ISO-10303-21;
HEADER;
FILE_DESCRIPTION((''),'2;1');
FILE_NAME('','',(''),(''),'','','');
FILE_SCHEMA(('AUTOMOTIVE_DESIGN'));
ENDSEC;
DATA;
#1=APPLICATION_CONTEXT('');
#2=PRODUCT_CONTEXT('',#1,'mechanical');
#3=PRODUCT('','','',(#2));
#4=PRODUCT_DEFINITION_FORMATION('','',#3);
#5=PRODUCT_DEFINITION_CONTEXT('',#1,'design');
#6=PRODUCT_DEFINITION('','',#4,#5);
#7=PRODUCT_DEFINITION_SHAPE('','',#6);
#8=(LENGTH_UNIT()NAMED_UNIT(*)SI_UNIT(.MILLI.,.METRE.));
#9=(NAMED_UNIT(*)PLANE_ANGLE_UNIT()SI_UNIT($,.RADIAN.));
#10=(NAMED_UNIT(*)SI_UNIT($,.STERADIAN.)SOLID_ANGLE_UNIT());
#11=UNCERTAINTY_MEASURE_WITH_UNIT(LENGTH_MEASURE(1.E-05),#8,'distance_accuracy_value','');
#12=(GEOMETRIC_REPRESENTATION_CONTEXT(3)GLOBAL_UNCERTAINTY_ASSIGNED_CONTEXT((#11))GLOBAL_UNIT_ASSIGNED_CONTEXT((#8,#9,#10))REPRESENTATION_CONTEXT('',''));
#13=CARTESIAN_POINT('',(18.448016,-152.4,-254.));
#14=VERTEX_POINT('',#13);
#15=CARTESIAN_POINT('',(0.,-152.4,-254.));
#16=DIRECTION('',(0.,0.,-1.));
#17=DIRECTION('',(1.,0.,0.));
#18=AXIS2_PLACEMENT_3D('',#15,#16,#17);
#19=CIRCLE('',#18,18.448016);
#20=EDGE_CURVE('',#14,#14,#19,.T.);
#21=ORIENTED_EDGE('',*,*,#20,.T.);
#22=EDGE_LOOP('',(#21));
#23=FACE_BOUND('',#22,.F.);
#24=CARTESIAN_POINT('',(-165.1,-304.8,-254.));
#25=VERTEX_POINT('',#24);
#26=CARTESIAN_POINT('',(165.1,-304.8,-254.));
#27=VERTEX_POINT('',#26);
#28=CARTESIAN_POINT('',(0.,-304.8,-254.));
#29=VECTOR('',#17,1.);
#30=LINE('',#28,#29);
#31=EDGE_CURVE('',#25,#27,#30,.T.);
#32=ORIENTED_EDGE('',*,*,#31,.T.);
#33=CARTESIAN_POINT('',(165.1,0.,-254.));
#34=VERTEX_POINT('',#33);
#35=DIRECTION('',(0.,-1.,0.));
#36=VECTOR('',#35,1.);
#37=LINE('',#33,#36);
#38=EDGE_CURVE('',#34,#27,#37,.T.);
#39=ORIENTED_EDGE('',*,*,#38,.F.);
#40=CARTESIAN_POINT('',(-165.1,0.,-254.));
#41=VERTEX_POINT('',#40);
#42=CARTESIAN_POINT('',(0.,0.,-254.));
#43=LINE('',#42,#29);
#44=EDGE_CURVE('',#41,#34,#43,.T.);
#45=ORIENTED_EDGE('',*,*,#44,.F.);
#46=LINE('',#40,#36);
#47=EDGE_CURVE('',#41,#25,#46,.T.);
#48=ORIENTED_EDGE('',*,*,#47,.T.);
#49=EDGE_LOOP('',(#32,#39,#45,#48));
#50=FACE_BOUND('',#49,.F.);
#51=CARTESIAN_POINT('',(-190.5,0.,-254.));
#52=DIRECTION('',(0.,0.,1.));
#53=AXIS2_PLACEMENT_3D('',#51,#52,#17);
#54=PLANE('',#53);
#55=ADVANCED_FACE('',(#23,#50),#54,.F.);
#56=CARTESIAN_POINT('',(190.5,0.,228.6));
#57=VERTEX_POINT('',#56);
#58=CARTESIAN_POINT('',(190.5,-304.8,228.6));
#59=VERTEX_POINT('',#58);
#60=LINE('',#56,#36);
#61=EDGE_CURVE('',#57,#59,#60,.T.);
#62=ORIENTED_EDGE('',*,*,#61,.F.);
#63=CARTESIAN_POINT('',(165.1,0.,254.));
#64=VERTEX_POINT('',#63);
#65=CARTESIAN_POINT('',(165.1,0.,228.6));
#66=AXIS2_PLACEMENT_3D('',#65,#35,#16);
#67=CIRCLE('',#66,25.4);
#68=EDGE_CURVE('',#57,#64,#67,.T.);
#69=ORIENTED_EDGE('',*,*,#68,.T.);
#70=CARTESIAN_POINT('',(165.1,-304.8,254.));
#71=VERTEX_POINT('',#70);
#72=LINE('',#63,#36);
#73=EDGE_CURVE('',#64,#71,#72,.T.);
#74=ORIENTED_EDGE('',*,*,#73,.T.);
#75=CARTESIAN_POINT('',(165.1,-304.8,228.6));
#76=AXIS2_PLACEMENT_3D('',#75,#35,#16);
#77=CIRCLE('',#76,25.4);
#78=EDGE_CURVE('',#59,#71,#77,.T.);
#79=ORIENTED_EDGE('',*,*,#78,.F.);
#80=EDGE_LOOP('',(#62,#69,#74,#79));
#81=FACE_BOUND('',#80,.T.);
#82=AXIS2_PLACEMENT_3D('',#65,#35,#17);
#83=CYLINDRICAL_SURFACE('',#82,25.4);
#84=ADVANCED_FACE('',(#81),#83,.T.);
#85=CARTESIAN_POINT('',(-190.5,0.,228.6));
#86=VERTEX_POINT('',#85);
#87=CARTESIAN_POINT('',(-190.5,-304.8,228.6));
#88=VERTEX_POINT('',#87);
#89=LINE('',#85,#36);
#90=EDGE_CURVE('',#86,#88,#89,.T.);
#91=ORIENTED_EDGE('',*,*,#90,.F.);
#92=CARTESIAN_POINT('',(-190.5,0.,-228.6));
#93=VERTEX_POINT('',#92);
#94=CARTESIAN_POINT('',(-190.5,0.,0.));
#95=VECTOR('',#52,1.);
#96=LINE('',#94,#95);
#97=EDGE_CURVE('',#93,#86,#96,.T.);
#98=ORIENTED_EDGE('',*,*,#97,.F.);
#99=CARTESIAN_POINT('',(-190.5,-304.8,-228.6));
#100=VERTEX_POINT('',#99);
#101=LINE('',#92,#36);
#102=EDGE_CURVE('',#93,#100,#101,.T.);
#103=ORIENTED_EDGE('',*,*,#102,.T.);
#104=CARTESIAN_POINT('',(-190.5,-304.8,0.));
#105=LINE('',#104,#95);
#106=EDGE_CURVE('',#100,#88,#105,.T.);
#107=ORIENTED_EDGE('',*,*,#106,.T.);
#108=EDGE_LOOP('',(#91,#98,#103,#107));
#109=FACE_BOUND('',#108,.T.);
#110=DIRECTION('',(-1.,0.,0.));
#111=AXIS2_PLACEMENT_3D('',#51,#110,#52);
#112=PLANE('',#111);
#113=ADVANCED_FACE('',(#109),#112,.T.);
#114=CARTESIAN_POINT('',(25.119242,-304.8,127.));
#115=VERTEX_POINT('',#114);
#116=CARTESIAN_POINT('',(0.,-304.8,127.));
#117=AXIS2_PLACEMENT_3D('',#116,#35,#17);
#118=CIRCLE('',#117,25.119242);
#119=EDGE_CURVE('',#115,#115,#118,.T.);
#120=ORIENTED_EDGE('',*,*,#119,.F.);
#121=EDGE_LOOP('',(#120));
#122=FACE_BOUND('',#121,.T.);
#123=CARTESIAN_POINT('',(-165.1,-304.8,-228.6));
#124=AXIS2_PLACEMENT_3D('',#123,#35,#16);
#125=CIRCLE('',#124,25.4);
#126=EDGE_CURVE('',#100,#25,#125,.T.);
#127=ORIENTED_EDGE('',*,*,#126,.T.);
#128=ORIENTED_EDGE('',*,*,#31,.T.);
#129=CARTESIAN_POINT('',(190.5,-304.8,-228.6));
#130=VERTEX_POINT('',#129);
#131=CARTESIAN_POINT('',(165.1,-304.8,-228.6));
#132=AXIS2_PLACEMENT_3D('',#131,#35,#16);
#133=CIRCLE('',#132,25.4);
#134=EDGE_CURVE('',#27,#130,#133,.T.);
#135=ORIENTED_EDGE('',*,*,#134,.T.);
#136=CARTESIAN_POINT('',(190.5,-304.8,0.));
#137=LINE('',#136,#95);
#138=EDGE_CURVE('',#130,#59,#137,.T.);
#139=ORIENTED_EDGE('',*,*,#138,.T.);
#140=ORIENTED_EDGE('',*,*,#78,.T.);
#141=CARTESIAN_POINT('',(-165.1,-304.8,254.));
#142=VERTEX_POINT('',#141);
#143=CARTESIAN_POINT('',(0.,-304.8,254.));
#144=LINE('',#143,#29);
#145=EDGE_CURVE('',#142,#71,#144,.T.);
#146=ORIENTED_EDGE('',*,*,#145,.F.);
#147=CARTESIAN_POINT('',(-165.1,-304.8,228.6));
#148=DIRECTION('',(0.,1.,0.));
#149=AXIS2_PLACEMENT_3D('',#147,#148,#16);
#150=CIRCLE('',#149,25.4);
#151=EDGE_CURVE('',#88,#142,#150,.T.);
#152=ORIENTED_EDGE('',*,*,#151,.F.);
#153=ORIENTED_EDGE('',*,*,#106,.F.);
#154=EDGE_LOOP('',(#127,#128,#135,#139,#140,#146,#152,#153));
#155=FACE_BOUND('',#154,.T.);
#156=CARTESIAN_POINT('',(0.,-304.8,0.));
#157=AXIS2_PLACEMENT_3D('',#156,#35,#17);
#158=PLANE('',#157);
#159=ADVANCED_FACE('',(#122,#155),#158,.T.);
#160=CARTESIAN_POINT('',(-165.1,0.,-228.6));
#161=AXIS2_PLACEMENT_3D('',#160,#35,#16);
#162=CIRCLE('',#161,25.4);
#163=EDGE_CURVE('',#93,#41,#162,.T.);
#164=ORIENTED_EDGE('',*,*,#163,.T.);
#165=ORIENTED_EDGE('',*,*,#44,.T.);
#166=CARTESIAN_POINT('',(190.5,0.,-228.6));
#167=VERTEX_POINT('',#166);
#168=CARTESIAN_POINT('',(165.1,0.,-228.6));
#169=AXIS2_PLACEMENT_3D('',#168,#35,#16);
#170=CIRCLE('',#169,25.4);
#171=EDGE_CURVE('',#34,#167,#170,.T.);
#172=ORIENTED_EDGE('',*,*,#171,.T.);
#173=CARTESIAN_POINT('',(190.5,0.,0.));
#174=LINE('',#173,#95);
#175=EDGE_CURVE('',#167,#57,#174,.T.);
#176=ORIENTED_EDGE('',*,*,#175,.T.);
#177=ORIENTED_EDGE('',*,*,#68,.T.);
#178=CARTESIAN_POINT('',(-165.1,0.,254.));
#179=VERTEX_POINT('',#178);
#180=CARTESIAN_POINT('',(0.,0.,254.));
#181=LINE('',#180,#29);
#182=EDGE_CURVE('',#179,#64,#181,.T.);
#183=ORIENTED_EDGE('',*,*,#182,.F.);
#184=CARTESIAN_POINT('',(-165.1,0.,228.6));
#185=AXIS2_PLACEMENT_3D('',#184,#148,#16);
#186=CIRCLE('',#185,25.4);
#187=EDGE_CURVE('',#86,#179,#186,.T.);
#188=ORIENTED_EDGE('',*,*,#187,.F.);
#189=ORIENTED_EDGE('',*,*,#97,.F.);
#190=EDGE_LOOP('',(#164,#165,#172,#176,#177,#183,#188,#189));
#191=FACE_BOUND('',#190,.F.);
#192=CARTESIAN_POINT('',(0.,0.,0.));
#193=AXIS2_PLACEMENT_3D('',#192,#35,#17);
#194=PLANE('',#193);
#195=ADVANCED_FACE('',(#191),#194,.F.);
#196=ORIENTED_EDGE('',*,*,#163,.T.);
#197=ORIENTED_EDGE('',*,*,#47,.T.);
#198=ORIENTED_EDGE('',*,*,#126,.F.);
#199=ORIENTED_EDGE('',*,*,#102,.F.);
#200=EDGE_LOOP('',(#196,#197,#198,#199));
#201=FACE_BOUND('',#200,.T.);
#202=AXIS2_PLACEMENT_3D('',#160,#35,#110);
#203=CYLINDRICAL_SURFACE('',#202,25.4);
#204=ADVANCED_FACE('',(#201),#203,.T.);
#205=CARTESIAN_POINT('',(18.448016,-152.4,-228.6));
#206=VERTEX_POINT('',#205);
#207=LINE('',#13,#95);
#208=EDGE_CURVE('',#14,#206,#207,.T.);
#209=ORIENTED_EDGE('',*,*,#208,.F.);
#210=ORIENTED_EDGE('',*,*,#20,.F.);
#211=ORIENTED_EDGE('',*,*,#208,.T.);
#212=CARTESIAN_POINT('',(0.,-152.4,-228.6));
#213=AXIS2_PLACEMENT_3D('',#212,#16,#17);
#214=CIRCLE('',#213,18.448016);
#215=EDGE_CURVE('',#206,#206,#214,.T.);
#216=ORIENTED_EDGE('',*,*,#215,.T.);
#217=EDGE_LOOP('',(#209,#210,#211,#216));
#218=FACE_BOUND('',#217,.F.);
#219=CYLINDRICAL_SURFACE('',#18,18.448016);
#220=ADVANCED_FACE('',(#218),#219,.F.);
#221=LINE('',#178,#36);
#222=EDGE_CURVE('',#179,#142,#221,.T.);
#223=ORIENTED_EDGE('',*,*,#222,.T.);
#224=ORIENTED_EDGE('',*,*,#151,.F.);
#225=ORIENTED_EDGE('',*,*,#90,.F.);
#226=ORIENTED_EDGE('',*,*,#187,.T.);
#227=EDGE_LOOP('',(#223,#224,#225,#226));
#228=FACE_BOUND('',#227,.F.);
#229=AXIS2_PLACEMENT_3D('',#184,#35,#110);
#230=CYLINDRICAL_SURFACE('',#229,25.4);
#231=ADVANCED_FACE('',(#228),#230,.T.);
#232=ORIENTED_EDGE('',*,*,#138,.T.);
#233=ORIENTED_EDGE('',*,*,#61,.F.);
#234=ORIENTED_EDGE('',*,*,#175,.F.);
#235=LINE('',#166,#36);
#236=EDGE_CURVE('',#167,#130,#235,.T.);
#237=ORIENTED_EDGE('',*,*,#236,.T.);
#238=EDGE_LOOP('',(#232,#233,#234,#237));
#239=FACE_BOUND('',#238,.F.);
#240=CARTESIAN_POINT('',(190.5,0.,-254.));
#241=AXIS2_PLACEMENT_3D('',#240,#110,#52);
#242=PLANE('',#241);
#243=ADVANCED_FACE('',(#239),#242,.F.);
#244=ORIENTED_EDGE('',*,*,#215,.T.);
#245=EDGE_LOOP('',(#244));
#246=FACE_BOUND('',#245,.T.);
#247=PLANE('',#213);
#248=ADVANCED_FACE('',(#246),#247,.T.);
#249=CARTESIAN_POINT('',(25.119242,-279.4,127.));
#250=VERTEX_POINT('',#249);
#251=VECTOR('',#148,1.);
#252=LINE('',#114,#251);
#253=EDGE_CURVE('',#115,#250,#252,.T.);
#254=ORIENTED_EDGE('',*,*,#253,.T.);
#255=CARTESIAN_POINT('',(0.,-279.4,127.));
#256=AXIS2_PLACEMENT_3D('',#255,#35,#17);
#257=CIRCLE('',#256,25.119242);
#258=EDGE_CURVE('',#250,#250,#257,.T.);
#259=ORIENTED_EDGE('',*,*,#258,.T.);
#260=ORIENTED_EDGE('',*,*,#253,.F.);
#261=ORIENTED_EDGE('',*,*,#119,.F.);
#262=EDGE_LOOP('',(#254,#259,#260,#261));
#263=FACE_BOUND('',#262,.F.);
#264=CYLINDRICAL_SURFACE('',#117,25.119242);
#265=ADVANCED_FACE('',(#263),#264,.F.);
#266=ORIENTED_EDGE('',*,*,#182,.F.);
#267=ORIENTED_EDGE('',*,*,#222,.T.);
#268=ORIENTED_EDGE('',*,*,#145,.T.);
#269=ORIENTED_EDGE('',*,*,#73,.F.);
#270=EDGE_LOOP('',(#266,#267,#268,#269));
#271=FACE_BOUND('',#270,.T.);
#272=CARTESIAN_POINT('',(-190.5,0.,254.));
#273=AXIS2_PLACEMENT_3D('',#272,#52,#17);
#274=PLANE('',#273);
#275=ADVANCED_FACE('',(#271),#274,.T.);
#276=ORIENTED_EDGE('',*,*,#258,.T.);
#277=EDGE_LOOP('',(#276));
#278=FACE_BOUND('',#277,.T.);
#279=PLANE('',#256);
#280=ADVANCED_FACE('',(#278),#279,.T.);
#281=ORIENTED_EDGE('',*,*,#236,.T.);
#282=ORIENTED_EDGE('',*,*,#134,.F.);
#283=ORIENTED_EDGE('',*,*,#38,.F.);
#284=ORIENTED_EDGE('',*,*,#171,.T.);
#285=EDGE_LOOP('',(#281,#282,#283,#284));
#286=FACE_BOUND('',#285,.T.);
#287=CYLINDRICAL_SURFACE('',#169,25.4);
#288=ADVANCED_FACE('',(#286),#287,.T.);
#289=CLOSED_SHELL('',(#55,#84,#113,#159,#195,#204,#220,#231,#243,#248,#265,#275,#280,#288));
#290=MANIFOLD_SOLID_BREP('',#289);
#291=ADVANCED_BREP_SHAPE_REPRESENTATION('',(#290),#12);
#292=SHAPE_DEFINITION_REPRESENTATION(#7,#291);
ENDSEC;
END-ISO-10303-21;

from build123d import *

# Parameters (mm, degrees)
F0_W     = 381
F0_H     = 508
F1_DEPTH = 304.8
F2_R     = 25.4
F3_R     = 18.448016
F4_DEPTH = 25.4
F6_R     = 25.119242
F7_DEPTH = 25.4


with BuildPart() as f1:
    # F0 (on Front) → F1 (new body)
    with BuildSketch(Plane.XZ):
        Rectangle(F0_W, F0_H)
    extrude(amount=F1_DEPTH)

    # F2
    f2_edges = [f1.edges().sort_by_distance(p)[0] for p in [
        (-190.5, -152.4, 254),
        (190.5, -152.4, 254),
        (190.5, -152.4, -254),
        (-190.5, -152.4, -254),
    ]]
    fillet(f2_edges, radius=F2_R)

    # F3 (on face) → F4 (cut)
    with BuildSketch(Plane(origin=(0, 0, -254), x_dir=(1, 0, 0), z_dir=(0, 0, -1))):
        with Locations((0, 152.4)):
            Circle(F3_R)
    extrude(amount=-F4_DEPTH, mode=Mode.SUBTRACT)

    # F6 (on face) → F7 (cut)
    with BuildSketch(Plane.XZ.offset(304.8)):
        with Locations((0, 127)):
            Circle(F6_R)
    extrude(amount=-F7_DEPTH, mode=Mode.SUBTRACT)


solid = f1.part
